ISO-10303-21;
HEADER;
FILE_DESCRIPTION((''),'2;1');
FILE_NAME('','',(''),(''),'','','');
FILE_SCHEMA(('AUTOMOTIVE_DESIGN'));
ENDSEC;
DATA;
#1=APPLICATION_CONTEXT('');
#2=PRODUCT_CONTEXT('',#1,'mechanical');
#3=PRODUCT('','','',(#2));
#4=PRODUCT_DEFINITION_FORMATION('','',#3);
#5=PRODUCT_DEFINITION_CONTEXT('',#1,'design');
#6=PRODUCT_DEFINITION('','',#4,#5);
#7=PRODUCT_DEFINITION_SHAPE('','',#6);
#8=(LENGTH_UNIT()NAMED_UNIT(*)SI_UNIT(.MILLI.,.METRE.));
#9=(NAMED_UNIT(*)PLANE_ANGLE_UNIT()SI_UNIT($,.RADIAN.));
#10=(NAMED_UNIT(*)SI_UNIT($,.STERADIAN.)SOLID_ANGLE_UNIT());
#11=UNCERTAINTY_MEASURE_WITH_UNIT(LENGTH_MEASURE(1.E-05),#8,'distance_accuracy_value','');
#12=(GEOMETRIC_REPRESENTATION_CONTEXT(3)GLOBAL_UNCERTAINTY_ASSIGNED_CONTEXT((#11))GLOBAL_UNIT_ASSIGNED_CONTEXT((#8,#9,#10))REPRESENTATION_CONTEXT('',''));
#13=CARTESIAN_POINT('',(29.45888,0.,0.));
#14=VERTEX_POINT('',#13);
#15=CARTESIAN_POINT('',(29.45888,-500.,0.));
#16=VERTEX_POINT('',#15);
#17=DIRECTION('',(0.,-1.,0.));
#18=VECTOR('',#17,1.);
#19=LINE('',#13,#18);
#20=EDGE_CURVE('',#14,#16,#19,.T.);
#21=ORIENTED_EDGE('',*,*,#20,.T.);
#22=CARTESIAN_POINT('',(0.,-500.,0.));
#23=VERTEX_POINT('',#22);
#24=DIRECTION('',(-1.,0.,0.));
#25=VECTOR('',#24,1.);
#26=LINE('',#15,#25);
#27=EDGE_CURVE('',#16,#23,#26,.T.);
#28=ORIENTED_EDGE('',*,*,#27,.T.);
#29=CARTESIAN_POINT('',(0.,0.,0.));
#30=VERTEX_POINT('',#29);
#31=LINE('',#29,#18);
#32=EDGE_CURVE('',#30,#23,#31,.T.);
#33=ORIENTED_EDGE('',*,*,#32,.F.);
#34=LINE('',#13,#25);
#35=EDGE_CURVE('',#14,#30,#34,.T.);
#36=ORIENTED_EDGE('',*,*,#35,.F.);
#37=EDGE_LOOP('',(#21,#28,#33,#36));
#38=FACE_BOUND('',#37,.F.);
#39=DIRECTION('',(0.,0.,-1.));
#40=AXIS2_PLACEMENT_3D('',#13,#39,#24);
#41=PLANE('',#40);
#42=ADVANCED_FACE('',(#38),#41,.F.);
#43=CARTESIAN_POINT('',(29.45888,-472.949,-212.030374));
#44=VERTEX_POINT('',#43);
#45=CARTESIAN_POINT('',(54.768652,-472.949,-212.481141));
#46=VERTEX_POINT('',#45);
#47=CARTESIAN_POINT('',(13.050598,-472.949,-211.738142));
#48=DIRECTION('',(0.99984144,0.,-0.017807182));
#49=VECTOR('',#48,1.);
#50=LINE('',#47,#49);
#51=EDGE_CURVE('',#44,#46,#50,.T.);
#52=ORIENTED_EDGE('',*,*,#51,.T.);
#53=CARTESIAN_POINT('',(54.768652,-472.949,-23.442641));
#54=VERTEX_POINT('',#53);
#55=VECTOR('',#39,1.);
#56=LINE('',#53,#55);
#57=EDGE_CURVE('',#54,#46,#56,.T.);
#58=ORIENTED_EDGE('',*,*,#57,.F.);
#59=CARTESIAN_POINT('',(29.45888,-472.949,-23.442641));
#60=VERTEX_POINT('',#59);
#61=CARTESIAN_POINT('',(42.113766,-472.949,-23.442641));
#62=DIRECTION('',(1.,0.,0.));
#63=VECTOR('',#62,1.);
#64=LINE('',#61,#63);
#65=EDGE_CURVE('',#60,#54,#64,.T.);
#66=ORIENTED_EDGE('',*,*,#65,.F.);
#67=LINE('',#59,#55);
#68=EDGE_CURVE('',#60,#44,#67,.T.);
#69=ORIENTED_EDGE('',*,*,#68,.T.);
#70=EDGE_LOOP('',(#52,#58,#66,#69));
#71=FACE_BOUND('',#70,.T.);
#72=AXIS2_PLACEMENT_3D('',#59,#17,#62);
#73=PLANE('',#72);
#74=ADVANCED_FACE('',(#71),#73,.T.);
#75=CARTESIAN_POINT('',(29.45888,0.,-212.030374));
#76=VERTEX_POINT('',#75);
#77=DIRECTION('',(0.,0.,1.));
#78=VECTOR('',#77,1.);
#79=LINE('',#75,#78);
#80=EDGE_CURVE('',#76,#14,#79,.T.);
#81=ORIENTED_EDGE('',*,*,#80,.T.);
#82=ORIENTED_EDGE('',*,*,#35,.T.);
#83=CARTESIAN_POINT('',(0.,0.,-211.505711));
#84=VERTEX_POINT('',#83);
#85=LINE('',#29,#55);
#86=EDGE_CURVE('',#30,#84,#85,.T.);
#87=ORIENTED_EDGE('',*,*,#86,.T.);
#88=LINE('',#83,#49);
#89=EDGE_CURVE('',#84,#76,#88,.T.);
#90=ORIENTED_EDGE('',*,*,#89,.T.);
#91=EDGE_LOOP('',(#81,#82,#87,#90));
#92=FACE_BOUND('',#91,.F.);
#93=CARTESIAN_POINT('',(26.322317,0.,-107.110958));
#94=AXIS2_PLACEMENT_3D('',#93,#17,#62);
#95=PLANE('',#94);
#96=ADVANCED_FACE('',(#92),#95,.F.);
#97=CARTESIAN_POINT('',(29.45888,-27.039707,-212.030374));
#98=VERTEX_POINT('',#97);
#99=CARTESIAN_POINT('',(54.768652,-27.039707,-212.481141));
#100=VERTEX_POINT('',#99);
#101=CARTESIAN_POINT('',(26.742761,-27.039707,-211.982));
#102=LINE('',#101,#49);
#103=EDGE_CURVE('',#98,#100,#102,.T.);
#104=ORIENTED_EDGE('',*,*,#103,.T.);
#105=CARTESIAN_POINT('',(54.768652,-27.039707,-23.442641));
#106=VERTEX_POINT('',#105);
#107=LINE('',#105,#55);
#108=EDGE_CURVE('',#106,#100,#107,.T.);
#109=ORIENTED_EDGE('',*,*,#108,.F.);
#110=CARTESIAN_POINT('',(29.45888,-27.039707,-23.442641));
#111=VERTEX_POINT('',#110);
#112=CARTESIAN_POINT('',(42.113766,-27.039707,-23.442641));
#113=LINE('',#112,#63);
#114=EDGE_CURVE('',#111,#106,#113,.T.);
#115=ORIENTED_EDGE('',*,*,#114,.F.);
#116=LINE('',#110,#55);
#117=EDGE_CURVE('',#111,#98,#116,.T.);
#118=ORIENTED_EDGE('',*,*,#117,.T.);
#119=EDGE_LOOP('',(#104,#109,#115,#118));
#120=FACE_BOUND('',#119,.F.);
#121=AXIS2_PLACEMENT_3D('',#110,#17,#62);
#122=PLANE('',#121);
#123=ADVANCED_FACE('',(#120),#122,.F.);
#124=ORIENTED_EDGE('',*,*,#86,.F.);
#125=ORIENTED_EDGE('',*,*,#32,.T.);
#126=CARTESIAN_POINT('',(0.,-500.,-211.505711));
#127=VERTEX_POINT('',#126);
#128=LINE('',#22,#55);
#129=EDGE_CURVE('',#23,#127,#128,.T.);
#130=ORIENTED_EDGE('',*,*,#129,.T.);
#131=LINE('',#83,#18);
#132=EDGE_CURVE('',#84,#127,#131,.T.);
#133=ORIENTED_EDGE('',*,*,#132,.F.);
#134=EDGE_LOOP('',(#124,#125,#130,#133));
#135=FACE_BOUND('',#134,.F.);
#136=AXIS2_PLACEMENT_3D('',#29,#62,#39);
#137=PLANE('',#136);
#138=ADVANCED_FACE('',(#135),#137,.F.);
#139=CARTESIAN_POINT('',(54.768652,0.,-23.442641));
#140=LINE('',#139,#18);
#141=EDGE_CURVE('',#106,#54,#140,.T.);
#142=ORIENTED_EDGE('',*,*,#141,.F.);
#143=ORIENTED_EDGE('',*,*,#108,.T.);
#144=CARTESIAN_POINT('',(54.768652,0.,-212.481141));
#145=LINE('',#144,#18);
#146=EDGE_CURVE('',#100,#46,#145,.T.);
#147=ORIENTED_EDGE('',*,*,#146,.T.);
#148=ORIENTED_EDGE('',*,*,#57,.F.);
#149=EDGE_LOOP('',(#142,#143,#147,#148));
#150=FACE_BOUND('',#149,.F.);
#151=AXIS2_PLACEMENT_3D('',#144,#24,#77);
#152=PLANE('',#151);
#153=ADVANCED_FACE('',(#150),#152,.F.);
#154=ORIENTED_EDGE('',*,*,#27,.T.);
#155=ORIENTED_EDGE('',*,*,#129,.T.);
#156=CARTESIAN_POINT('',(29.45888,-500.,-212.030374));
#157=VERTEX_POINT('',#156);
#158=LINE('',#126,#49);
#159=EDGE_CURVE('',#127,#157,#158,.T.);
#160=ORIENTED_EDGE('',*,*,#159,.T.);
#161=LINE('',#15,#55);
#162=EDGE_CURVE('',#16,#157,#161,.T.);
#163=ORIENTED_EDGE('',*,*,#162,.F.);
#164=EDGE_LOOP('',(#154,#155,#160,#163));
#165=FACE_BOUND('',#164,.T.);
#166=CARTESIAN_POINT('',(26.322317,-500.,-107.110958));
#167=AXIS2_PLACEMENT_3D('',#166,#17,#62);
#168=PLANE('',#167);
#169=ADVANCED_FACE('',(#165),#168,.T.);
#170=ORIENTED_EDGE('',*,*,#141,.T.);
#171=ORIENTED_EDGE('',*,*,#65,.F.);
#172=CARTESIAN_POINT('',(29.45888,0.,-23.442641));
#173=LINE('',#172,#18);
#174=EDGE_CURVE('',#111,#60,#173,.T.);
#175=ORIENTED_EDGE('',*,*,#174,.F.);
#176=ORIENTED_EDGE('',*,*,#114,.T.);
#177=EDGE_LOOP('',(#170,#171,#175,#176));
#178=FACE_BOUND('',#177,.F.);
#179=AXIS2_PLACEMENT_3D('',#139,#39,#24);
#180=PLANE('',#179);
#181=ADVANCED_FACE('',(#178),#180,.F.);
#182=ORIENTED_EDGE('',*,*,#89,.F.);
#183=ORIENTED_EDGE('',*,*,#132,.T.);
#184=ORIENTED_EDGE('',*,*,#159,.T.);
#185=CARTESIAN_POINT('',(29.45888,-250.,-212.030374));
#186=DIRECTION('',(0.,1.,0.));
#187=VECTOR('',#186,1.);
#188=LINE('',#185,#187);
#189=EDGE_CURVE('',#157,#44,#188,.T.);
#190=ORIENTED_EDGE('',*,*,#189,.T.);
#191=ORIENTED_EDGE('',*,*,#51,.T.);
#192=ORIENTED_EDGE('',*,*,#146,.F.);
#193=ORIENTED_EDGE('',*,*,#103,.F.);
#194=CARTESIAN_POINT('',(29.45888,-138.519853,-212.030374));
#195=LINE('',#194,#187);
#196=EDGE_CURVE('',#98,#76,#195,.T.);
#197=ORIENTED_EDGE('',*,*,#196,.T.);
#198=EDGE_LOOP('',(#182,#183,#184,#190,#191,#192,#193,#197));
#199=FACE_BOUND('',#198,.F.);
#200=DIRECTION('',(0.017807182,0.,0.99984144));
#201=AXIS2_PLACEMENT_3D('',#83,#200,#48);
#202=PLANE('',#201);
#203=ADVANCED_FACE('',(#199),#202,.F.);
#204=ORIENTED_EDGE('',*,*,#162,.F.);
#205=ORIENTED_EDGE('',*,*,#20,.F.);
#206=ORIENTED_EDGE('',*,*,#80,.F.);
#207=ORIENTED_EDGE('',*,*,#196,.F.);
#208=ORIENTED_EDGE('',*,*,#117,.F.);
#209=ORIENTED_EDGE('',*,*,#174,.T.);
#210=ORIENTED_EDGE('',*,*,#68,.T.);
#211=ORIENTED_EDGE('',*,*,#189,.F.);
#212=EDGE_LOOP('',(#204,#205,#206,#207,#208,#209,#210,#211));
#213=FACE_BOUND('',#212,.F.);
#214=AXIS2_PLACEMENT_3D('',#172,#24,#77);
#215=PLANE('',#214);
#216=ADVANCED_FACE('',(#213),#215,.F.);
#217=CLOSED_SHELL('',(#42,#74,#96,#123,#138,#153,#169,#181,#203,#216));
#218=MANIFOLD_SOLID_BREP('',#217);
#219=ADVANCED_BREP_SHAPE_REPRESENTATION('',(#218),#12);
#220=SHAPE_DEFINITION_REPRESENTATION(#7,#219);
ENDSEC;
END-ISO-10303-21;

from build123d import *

# Parameters (mm, degrees)
F1_DEPTH   = 500
F2_W       = 25.3097712994
F2_H       = 27.039706707
F1_FACE1_W = 54.7773372423
F1_FACE1_H = 500
F3_DEPTH   = 189.0395001898
F4_W       = 25.3097712994
F4_H       = 27.051
F5_DEPTH   = 189.0395001898


with BuildPart() as f1:
    # F0 (on Front) → F1 (new body)
    with BuildSketch(Plane.XZ):
        Polygon((29.4588804245, 0), (0, 0), (0, -211.5057110786), (54.7686517239, -212.4811410904), (54.7686517239, -64.9340748787), (54.7686517239, -23.4426409006), (29.4588804245, -23.4426409006), align=None)
    extrude(amount=F1_DEPTH)

    # F2 (on face) + F1_face1 (on face) → F3 (cut, through all)
    with BuildSketch(Plane.XY.offset(-23.4426409006)):
        with Locations((42.1137660742, -13.5198533535)):
            Rectangle(F2_W, F2_H)
    with BuildSketch(Plane(origin=(27.3843258619, -250, -211.9934260845), x_dir=(1, 0, 0), z_dir=(-0.017807182, 0, -0.9998414396))):
        Rectangle(F1_FACE1_W, F1_FACE1_H)
    extrude(amount=-F3_DEPTH, dir=(0, 0, 1), mode=Mode.SUBTRACT)

    # F4 (on face) → F5 (cut, through all)
    with BuildSketch(Plane.XY.offset(-23.4426409006)):
        with Locations((42.1137660742, -486.4745)):
            Rectangle(F4_W, F4_H)
    extrude(amount=-F5_DEPTH, mode=Mode.SUBTRACT)


solid = f1.part
